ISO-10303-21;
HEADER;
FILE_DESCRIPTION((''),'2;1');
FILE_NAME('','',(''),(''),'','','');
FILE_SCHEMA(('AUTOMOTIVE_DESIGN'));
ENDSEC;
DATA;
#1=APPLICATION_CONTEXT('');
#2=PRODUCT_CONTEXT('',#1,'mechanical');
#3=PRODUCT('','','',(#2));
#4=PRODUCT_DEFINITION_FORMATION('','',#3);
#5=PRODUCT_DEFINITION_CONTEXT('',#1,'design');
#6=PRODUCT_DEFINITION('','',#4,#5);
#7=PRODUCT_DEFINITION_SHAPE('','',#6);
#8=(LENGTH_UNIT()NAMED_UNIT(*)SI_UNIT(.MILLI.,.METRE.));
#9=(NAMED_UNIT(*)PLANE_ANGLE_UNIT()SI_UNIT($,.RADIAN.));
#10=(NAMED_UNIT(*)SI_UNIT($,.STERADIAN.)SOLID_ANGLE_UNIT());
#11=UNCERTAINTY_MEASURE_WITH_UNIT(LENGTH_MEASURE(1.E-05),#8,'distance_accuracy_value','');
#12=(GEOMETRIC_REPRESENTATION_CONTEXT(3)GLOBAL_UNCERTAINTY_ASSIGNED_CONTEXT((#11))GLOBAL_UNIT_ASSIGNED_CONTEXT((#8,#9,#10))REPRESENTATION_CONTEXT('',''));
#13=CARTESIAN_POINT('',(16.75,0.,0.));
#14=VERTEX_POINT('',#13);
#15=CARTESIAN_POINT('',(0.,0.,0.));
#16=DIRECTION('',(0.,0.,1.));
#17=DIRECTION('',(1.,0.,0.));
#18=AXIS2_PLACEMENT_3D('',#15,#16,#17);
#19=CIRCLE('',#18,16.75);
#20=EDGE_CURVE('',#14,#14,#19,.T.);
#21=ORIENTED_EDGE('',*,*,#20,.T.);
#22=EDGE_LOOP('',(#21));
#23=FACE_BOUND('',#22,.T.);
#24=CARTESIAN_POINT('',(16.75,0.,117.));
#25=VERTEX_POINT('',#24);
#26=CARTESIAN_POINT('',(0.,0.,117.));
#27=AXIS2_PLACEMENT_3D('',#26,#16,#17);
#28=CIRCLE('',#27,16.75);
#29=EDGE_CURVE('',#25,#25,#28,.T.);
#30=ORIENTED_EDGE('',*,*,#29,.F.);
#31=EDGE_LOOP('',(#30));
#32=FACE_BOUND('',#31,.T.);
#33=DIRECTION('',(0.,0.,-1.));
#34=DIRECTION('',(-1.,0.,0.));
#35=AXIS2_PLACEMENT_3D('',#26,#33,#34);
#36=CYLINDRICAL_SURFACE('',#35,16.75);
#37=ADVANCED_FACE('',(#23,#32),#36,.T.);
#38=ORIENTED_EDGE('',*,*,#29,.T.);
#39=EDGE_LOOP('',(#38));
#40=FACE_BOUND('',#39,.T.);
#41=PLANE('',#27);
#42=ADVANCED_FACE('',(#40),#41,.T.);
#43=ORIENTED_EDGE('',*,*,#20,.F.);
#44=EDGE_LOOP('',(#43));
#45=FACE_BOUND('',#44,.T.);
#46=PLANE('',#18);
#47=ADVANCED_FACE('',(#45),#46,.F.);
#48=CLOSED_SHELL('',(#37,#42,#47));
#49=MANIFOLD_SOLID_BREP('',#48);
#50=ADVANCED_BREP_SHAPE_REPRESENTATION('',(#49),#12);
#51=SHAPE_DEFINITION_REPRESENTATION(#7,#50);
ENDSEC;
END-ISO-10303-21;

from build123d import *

# Parameters (mm, degrees)
SKETCH1_R           = 16.75
BOSS_EXTRUDE1_DEPTH = 117


with BuildPart() as part:
    # Sketch1 → Boss-Extrude1 (new body)
    with BuildSketch(Plane.XY):
        Circle(SKETCH1_R)
    extrude(amount=BOSS_EXTRUDE1_DEPTH)


solid = part.part
